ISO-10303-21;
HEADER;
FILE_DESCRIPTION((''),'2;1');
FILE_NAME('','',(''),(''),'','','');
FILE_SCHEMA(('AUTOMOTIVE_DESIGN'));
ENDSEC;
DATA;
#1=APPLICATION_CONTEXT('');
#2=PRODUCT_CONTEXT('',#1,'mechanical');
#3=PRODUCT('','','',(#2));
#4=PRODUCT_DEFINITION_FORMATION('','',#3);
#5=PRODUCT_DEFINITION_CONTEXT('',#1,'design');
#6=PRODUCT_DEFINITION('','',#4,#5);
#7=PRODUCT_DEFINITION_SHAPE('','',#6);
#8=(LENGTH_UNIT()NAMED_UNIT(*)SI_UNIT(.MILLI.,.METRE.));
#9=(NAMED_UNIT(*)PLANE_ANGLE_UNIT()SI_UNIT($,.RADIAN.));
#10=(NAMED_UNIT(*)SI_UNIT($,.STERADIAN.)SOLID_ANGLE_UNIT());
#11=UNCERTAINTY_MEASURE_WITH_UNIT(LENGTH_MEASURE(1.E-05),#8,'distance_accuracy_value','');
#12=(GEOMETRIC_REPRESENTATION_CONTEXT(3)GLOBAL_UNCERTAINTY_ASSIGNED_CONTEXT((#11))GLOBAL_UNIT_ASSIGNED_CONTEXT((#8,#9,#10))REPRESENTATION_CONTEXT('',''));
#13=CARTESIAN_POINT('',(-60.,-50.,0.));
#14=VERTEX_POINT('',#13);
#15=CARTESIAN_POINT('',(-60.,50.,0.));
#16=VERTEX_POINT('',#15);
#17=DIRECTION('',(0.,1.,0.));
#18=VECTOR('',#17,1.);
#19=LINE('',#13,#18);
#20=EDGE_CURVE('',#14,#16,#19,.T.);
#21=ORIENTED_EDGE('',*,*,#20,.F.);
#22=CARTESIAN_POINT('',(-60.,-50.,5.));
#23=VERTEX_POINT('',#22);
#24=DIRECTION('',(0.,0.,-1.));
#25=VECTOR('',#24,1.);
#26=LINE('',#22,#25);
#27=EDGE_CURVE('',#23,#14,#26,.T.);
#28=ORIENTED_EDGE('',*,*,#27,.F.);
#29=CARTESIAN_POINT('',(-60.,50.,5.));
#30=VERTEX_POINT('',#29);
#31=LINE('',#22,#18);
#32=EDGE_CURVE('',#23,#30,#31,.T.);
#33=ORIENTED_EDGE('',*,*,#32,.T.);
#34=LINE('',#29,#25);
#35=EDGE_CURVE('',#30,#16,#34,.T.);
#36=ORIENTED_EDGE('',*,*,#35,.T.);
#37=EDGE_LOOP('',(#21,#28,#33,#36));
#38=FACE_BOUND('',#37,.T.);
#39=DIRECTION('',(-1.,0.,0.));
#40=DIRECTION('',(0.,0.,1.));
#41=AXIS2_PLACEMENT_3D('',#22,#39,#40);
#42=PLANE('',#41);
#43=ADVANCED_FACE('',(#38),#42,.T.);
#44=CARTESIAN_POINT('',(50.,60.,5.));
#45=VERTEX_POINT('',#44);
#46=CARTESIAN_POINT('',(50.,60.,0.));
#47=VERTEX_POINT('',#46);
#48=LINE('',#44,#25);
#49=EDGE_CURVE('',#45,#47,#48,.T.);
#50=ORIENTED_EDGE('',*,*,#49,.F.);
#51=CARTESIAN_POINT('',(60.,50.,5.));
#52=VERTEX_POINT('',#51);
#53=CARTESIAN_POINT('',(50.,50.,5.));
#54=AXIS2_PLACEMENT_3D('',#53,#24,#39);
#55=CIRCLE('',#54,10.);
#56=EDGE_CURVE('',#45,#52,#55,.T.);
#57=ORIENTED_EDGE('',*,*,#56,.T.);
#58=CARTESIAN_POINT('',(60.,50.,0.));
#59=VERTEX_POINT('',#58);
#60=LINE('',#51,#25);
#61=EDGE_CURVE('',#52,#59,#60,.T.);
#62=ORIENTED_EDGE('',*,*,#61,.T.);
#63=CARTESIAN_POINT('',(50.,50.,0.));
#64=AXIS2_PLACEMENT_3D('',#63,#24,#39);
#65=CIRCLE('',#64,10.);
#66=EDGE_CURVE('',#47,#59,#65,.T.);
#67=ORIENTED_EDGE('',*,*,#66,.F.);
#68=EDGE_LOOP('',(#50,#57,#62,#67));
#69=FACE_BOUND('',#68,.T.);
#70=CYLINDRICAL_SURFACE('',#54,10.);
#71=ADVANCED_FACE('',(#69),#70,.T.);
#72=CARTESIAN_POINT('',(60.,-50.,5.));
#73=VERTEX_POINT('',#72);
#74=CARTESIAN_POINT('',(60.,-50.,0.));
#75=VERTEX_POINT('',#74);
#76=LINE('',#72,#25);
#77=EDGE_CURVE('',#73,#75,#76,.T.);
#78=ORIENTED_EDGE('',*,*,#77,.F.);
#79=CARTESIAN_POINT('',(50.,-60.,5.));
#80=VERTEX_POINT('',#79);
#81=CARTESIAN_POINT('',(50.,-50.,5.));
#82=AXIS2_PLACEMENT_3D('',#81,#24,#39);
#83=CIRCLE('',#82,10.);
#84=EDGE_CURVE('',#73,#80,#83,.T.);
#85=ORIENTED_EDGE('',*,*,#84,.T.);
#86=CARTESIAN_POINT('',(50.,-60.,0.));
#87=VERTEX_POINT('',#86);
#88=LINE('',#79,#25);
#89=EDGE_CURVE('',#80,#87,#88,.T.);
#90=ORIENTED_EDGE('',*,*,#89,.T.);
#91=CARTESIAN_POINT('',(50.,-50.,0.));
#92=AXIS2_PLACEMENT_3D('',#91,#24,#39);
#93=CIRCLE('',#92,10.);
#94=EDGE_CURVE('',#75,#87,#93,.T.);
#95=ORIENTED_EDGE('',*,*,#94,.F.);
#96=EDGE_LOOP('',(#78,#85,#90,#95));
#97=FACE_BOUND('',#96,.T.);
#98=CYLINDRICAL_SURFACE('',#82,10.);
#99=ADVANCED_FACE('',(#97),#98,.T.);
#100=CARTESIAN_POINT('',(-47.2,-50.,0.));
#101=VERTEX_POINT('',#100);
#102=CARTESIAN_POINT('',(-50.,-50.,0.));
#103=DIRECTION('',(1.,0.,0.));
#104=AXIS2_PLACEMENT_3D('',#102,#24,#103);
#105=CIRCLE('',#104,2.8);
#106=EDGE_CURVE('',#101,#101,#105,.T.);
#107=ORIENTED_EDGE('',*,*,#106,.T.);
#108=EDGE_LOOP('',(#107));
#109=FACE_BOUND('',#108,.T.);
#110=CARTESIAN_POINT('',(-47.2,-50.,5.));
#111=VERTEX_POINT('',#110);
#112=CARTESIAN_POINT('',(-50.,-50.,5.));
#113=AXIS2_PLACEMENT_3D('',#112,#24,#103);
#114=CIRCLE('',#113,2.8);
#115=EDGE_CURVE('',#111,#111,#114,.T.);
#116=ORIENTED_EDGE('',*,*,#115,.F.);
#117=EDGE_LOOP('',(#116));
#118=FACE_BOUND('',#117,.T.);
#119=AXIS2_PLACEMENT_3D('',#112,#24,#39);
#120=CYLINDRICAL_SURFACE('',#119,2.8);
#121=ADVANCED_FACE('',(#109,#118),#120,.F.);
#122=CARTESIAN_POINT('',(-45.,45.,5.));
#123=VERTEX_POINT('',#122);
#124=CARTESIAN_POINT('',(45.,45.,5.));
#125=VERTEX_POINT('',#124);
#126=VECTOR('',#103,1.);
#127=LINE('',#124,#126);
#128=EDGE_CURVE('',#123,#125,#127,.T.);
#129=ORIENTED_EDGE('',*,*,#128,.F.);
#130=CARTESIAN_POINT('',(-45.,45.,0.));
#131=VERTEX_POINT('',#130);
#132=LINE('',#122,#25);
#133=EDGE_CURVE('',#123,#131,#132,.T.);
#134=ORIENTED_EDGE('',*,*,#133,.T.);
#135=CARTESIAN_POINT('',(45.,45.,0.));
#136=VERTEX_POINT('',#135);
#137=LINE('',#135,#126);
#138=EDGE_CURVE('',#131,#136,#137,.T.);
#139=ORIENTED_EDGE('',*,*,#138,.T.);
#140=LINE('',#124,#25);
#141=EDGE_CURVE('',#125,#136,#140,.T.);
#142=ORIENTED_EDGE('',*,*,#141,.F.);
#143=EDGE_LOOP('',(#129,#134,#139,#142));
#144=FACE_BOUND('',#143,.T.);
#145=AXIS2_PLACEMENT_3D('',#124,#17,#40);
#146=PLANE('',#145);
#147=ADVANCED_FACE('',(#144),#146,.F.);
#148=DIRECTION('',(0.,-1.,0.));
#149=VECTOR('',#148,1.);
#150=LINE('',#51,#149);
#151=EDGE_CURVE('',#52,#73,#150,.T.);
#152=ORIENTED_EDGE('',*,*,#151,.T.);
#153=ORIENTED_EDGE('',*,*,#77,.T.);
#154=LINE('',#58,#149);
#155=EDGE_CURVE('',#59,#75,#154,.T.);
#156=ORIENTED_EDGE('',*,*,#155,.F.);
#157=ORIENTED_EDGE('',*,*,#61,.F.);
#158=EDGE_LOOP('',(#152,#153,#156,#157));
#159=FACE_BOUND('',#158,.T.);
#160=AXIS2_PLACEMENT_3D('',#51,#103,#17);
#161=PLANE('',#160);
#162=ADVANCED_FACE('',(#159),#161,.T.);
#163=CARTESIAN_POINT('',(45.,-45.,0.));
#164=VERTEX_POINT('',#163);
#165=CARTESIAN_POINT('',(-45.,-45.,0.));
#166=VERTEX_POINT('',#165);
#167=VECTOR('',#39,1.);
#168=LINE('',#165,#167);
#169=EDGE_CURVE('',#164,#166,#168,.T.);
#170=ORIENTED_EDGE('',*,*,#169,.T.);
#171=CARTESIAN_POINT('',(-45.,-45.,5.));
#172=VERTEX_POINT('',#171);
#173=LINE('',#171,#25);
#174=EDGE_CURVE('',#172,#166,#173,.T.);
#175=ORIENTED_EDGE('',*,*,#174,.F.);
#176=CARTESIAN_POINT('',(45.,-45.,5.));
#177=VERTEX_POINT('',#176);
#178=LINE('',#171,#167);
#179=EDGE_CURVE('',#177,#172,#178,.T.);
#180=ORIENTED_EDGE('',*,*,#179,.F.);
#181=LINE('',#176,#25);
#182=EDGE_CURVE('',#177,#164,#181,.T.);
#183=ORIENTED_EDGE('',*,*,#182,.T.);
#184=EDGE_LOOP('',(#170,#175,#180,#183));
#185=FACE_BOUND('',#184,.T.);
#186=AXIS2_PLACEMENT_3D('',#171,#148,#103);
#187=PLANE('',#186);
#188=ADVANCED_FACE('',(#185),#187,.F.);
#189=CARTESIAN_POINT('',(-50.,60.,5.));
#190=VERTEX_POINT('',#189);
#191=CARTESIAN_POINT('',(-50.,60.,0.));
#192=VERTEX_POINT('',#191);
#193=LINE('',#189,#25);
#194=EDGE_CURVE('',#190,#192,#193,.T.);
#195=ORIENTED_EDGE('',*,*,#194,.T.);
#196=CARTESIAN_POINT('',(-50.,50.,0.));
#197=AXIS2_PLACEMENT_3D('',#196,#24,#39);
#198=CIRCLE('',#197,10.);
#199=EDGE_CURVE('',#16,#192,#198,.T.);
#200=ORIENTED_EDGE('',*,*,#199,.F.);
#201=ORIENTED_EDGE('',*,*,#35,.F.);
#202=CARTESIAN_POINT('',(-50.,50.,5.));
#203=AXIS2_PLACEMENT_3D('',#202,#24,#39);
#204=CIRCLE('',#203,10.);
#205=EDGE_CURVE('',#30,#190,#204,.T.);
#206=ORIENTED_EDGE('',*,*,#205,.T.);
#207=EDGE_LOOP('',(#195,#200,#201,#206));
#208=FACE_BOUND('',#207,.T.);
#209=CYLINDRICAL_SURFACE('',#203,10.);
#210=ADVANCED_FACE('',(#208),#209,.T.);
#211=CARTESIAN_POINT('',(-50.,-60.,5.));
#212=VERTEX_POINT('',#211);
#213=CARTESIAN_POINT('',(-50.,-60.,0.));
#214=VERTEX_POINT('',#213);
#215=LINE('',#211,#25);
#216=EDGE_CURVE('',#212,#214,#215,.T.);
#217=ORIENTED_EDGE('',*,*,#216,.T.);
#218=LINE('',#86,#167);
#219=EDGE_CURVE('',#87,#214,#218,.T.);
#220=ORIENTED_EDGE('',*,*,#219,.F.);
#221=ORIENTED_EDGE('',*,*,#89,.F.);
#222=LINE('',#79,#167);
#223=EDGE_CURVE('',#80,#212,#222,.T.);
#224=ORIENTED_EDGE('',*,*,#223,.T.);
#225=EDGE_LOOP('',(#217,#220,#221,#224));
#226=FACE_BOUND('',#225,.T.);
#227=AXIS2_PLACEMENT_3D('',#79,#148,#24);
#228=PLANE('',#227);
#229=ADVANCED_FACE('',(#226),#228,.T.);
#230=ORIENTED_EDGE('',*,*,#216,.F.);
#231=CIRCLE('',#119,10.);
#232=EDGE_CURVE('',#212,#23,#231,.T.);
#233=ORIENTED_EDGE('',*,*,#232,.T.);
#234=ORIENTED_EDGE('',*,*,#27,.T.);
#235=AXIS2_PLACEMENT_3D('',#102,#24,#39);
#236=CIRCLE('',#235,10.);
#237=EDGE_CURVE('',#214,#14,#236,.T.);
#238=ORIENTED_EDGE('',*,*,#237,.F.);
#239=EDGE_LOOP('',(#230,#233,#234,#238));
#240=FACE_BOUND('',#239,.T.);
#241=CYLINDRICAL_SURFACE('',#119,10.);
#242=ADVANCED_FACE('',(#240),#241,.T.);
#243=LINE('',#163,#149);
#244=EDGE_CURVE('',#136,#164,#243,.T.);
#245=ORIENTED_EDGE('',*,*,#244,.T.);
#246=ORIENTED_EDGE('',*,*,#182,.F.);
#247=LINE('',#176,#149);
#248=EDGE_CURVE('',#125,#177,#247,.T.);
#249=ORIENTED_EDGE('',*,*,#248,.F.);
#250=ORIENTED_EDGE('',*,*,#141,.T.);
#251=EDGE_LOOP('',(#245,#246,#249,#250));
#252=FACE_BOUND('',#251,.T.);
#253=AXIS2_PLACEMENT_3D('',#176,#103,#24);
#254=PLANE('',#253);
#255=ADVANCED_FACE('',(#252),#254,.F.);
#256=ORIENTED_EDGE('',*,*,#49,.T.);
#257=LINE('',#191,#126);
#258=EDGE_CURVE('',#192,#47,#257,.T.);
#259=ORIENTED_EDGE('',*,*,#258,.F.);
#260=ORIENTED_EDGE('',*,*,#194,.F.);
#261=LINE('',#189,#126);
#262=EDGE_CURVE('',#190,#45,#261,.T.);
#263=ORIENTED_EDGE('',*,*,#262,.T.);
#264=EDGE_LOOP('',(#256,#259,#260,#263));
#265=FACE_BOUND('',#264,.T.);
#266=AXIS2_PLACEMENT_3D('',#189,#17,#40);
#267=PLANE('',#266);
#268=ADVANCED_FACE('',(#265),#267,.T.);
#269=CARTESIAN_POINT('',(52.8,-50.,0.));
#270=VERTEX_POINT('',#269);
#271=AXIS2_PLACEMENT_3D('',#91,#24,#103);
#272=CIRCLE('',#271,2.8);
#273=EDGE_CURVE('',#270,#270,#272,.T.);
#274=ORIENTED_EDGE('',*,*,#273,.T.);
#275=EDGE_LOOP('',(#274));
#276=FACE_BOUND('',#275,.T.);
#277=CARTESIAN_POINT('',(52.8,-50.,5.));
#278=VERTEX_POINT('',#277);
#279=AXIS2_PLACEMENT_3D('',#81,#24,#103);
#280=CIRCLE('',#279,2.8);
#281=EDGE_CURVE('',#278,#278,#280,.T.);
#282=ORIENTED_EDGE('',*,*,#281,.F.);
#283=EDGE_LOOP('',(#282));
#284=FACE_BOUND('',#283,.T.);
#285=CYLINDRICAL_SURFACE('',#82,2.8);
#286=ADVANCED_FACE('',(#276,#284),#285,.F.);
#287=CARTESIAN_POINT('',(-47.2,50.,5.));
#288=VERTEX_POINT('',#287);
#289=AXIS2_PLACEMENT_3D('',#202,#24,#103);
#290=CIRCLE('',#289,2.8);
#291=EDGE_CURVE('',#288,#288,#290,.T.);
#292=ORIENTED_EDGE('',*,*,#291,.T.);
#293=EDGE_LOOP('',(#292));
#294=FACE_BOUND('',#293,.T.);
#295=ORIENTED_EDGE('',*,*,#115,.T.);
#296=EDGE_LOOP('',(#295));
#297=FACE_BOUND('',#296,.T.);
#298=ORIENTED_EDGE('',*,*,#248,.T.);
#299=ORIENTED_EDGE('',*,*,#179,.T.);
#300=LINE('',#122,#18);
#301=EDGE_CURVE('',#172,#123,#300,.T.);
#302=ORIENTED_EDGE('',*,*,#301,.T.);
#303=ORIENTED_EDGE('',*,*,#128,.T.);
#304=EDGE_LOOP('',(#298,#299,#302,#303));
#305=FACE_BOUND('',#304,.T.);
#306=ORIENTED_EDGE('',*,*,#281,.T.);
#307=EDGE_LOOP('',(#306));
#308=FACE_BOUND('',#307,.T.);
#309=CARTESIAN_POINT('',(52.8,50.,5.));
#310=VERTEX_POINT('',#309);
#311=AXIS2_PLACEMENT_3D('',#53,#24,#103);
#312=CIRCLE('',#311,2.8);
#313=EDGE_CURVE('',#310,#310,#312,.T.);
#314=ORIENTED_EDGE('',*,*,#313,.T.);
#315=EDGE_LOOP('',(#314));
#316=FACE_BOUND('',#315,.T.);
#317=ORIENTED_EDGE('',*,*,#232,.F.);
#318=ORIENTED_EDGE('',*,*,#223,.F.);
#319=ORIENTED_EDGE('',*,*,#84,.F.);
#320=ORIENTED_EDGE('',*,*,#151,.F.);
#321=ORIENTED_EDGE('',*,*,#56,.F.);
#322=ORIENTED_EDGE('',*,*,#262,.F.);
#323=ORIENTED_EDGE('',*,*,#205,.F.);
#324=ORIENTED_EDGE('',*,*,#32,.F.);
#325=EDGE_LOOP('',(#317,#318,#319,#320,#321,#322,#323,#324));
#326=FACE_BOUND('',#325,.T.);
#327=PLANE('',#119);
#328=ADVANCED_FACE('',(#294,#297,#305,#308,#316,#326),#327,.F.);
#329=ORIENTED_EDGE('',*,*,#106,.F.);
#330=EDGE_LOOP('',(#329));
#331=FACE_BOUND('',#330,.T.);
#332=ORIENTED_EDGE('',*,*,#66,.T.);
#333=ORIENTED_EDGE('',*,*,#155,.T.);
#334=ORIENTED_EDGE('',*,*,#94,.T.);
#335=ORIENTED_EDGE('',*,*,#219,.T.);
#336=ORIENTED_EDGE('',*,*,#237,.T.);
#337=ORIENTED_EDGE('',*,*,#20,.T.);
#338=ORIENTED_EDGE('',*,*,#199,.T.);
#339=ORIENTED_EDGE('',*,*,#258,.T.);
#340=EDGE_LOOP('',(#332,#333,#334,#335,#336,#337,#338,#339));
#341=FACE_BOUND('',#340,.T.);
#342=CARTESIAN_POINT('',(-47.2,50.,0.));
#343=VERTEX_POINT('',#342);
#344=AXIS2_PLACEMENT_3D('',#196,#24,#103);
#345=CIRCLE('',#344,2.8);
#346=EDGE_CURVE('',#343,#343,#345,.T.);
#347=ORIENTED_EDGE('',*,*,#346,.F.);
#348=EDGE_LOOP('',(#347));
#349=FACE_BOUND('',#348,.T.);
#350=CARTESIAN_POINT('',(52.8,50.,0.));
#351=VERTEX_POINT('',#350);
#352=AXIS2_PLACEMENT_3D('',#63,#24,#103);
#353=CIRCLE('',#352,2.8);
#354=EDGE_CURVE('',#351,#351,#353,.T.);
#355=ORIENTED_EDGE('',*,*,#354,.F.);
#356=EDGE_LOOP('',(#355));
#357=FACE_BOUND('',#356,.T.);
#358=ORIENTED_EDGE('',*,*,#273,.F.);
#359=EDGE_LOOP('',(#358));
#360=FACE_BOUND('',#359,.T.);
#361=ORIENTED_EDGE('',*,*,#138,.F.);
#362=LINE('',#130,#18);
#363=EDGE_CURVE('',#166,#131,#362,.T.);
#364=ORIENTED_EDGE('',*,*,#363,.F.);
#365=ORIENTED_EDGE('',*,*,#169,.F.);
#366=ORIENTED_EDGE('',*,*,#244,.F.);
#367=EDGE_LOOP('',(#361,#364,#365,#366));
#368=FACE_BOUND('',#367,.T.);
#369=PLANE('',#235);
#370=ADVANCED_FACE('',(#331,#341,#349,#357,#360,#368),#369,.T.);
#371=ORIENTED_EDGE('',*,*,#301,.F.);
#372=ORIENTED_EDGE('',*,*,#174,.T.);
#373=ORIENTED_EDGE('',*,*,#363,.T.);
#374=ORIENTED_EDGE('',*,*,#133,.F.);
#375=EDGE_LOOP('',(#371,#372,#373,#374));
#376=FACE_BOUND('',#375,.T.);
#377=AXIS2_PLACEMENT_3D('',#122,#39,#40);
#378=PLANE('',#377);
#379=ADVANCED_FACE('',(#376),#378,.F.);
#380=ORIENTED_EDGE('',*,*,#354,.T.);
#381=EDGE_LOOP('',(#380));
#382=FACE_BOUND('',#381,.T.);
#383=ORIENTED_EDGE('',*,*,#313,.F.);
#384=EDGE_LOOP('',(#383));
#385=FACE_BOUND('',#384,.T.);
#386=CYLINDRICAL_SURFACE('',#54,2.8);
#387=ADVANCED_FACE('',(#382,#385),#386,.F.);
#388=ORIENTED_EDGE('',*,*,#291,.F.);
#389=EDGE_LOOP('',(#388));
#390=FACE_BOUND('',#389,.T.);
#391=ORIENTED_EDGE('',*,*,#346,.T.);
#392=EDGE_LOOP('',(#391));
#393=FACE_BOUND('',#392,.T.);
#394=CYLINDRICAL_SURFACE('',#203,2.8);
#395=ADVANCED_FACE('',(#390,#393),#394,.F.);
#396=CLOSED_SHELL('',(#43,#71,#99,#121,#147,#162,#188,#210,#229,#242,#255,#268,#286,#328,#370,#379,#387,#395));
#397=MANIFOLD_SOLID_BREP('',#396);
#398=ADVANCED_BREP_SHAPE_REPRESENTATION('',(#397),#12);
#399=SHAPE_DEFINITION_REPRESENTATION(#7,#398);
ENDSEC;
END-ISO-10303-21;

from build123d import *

# Parameters (mm, degrees)
SKETCH1_R           = 2.8
SKETCH1_W           = 90
SKETCH1_H           = 90
BOSS_EXTRUDE1_DEPTH = 5


with BuildPart() as part:
    # Sketch1 → Boss-Extrude1 (new body)
    with BuildSketch(Plane(origin=(0, 0, 0), x_dir=(-1, 0, 0), z_dir=(0, 0, -1))):
        with BuildLine():
            Line((60, -50), (60, 50))
            ThreePointArc((60, 50), (57.071067812, 57.071067812), (50, 60))
            Line((50, 60), (-50, 60))
            ThreePointArc((-50, 60), (-57.071067812, 57.071067812), (-60, 50))
            Line((-60, 50), (-60, -50))
            ThreePointArc((-60, -50), (-57.071067812, -57.071067812), (-50, -60))
            Line((-50, -60), (50, -60))
            ThreePointArc((50, -60), (57.071067812, -57.071067812), (60, -50))
        make_face()
        with Locations(Location((50, -50, 0), (0, 0, 180))):
            Circle(SKETCH1_R, mode=Mode.SUBTRACT)
        with Locations(Location((-50, -50, 0), (0, 0, 180))):
            Circle(SKETCH1_R, mode=Mode.SUBTRACT)
        with Locations(Location((-50, 50, 0), (0, 0, 180))):
            Circle(SKETCH1_R, mode=Mode.SUBTRACT)
        with Locations(Location((50, 50, 0), (0, 0, 180))):
            Circle(SKETCH1_R, mode=Mode.SUBTRACT)
        Rectangle(SKETCH1_W, SKETCH1_H, mode=Mode.SUBTRACT)
    extrude(amount=-BOSS_EXTRUDE1_DEPTH)


solid = part.part
